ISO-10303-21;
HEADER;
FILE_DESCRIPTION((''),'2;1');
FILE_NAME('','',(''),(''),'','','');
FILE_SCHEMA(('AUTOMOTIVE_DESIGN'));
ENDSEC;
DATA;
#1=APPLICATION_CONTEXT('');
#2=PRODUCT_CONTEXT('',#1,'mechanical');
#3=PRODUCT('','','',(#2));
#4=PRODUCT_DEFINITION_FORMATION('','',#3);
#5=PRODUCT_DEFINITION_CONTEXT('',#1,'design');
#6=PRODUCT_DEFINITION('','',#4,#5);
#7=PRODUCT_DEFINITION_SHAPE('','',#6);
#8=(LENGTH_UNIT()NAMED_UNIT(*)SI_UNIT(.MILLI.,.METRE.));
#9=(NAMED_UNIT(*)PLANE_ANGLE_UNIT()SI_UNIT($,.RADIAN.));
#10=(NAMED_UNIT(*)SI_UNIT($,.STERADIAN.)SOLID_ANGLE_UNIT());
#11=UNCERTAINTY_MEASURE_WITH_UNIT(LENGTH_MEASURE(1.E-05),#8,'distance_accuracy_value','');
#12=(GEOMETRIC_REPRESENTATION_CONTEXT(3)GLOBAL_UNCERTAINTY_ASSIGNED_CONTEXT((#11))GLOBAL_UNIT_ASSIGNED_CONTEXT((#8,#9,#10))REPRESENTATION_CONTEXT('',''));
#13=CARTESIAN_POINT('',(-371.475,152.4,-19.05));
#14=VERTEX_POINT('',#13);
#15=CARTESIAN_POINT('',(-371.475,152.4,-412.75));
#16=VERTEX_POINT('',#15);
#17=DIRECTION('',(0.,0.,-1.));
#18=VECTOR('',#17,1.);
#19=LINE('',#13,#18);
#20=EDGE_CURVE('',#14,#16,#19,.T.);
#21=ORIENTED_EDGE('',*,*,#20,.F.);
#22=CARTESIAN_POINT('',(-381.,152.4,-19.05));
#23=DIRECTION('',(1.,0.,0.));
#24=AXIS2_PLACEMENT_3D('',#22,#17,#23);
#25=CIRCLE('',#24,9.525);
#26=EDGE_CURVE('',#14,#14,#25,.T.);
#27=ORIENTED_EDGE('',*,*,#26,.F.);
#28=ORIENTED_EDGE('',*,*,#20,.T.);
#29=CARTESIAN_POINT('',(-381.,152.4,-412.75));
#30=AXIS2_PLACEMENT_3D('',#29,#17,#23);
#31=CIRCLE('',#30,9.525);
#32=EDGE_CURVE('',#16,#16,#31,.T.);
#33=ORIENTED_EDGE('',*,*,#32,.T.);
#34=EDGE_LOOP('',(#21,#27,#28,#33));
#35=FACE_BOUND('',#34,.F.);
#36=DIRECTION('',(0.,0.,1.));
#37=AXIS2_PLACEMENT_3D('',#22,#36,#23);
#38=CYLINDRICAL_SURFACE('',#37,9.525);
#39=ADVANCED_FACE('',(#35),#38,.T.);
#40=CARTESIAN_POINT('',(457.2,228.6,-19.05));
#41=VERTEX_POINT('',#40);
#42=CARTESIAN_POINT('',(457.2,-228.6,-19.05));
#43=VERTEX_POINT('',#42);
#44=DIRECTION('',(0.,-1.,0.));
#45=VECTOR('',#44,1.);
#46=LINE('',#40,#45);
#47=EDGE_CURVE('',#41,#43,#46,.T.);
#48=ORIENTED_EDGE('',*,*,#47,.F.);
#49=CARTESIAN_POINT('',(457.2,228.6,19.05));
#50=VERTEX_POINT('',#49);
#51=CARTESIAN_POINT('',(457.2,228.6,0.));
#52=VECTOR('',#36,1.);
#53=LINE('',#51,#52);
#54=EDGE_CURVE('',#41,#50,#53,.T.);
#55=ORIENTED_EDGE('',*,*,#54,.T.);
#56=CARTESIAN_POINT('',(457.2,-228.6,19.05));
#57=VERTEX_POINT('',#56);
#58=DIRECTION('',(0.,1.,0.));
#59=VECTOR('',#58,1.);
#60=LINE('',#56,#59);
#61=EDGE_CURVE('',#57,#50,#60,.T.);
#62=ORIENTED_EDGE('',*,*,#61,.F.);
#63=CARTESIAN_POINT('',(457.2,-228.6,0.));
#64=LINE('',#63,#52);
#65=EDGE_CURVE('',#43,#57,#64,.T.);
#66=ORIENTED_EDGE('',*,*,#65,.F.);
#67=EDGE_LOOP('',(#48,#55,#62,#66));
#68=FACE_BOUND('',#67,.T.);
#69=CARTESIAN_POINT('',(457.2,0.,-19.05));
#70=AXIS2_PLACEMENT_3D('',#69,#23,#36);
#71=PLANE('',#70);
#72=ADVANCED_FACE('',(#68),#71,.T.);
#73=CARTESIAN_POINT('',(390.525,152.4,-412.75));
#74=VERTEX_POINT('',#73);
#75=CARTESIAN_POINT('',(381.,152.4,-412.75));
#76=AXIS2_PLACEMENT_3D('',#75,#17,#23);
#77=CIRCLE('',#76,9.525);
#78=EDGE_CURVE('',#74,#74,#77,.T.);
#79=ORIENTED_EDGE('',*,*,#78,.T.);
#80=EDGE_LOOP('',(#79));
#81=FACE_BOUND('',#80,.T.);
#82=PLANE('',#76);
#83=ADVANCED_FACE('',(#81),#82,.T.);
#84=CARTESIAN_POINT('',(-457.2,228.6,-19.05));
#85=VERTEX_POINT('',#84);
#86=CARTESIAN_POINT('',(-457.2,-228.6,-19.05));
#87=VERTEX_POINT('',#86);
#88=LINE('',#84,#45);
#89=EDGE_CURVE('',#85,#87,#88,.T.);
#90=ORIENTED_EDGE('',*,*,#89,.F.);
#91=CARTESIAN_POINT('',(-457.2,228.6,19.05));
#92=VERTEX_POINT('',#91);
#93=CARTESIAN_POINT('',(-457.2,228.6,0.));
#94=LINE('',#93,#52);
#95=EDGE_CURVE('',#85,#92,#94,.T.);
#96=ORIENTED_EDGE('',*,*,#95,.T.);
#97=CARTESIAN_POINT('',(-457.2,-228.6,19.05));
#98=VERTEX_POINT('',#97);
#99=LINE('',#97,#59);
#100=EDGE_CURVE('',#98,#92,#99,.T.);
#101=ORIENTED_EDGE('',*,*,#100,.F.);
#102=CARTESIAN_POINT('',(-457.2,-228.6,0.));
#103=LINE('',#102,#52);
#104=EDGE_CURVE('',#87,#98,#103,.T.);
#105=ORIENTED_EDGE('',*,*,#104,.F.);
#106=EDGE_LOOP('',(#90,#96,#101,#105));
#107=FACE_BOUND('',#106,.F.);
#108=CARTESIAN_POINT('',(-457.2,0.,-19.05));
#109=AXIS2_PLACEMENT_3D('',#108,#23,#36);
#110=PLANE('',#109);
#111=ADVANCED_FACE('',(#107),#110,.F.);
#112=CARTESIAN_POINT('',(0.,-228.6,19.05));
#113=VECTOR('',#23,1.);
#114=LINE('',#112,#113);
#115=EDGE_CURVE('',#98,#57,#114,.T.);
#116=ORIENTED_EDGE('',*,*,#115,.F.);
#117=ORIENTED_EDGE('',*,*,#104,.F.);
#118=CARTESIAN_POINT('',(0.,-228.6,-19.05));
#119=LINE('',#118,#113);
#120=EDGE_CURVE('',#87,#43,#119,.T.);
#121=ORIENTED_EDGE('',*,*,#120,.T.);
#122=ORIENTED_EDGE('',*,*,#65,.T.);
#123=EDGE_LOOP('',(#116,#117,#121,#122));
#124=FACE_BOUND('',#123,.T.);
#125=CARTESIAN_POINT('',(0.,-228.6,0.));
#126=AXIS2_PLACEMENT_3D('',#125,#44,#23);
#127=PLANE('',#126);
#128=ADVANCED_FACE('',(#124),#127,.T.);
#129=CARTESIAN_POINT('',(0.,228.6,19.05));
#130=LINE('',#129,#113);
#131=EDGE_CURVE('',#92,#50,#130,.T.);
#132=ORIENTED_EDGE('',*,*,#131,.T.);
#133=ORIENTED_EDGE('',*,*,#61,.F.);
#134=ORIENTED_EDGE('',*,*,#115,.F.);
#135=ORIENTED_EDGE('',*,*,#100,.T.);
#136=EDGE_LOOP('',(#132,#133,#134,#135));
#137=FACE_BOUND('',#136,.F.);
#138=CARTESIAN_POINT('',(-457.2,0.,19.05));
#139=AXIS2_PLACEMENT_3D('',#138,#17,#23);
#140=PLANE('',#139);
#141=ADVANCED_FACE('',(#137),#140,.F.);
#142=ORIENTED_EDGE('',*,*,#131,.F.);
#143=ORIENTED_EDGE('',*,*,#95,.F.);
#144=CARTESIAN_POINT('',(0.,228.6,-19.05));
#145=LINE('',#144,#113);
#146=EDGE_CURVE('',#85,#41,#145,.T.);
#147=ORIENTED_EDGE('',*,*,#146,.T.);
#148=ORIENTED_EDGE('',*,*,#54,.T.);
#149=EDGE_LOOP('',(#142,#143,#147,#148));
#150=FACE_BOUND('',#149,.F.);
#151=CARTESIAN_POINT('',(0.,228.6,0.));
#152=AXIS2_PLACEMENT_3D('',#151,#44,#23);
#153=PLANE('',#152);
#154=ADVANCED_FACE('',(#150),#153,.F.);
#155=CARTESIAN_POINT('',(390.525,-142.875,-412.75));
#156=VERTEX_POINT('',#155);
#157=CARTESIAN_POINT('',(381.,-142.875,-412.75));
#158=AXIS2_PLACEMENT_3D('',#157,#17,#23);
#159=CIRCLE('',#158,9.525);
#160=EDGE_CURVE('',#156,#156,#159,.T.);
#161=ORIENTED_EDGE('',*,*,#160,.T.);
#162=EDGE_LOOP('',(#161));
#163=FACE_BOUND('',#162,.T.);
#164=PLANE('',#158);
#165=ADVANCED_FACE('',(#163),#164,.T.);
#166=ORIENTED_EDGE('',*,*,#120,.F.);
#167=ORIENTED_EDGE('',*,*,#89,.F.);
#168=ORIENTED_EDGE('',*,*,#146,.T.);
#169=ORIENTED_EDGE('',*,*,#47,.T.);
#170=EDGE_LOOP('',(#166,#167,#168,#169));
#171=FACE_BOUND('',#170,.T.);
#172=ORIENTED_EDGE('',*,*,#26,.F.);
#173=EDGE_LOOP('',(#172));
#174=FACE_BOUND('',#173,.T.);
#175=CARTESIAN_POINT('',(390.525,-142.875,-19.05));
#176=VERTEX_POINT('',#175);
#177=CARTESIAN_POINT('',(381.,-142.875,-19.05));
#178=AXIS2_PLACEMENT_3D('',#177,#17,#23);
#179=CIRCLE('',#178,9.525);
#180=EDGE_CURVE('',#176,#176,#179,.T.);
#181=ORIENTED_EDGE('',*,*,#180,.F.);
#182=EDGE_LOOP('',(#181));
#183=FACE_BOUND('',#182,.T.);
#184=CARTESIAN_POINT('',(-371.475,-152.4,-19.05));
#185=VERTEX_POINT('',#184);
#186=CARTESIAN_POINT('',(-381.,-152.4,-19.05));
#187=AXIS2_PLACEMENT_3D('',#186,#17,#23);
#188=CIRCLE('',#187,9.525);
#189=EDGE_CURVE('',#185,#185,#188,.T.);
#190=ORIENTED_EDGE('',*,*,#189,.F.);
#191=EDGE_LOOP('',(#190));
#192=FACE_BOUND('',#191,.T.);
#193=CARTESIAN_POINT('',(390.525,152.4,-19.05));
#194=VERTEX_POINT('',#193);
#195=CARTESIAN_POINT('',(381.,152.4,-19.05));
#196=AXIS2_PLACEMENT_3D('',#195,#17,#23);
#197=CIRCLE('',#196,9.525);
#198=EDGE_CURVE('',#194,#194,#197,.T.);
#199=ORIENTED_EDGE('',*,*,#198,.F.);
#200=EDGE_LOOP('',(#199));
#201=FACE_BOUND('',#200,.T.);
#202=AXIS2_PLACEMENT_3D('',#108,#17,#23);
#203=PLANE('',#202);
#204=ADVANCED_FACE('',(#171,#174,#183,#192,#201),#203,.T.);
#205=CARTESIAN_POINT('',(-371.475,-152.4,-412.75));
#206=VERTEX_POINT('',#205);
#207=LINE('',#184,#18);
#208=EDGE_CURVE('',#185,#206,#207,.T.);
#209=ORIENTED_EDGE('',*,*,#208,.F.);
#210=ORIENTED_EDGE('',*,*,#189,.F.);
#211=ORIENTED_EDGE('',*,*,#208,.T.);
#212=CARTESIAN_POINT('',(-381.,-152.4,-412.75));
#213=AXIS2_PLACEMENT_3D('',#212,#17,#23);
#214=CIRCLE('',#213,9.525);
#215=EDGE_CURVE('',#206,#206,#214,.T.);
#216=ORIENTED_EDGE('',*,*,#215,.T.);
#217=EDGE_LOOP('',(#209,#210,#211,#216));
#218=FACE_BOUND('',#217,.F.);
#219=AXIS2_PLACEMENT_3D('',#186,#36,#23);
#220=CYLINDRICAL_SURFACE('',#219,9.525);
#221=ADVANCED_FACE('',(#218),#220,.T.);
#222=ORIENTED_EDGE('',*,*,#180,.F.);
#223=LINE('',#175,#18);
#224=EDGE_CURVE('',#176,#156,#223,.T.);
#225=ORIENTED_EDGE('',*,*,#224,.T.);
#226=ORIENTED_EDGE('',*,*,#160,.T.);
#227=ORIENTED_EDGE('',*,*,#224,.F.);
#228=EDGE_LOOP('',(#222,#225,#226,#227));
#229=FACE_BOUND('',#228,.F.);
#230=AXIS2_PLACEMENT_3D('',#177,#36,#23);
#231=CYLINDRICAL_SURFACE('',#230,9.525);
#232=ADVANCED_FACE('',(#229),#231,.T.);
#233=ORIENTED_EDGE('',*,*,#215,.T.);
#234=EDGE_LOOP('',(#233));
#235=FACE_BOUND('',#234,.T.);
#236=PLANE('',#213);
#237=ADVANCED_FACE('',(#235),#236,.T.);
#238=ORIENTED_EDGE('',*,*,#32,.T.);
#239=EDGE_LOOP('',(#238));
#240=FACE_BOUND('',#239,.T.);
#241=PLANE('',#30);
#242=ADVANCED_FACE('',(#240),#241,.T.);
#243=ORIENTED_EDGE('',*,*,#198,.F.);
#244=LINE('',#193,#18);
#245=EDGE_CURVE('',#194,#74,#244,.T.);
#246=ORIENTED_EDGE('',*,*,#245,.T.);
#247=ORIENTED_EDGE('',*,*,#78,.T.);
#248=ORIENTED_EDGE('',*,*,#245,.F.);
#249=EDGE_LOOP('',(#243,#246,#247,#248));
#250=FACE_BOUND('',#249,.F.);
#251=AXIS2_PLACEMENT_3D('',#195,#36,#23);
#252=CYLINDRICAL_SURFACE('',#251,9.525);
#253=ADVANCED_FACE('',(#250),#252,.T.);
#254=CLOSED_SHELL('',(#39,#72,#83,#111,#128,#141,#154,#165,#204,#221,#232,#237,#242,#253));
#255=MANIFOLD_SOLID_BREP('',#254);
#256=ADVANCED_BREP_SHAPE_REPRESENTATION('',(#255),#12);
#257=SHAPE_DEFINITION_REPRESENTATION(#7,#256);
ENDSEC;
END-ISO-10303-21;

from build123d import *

# Parameters (mm, degrees)
F0_W     = 914.4
F0_H     = 38.1
F1_DEPTH = 228.6
F2_R     = 9.525
F3_DEPTH = 393.7


with BuildPart() as f1:
    # F0 (on Front) → F1 (new body, symmetric)
    with BuildSketch(Plane.XZ):
        Rectangle(F0_W, F0_H)
    extrude(amount=F1_DEPTH, both=True)

    # F2 (on face) → F3 (join)
    with BuildSketch(Plane(origin=(0, 0, -19.05), x_dir=(1, 0, 0), z_dir=(0, 0, -1))):
        with Locations((-381, 152.4)):
            Circle(F2_R)
        with Locations((-381, -152.4)):
            Circle(F2_R)
        with Locations((381, -152.4)):
            Circle(F2_R)
        with Locations((381, 142.875)):
            Circle(F2_R)
    extrude(amount=F3_DEPTH)


solid = f1.part
